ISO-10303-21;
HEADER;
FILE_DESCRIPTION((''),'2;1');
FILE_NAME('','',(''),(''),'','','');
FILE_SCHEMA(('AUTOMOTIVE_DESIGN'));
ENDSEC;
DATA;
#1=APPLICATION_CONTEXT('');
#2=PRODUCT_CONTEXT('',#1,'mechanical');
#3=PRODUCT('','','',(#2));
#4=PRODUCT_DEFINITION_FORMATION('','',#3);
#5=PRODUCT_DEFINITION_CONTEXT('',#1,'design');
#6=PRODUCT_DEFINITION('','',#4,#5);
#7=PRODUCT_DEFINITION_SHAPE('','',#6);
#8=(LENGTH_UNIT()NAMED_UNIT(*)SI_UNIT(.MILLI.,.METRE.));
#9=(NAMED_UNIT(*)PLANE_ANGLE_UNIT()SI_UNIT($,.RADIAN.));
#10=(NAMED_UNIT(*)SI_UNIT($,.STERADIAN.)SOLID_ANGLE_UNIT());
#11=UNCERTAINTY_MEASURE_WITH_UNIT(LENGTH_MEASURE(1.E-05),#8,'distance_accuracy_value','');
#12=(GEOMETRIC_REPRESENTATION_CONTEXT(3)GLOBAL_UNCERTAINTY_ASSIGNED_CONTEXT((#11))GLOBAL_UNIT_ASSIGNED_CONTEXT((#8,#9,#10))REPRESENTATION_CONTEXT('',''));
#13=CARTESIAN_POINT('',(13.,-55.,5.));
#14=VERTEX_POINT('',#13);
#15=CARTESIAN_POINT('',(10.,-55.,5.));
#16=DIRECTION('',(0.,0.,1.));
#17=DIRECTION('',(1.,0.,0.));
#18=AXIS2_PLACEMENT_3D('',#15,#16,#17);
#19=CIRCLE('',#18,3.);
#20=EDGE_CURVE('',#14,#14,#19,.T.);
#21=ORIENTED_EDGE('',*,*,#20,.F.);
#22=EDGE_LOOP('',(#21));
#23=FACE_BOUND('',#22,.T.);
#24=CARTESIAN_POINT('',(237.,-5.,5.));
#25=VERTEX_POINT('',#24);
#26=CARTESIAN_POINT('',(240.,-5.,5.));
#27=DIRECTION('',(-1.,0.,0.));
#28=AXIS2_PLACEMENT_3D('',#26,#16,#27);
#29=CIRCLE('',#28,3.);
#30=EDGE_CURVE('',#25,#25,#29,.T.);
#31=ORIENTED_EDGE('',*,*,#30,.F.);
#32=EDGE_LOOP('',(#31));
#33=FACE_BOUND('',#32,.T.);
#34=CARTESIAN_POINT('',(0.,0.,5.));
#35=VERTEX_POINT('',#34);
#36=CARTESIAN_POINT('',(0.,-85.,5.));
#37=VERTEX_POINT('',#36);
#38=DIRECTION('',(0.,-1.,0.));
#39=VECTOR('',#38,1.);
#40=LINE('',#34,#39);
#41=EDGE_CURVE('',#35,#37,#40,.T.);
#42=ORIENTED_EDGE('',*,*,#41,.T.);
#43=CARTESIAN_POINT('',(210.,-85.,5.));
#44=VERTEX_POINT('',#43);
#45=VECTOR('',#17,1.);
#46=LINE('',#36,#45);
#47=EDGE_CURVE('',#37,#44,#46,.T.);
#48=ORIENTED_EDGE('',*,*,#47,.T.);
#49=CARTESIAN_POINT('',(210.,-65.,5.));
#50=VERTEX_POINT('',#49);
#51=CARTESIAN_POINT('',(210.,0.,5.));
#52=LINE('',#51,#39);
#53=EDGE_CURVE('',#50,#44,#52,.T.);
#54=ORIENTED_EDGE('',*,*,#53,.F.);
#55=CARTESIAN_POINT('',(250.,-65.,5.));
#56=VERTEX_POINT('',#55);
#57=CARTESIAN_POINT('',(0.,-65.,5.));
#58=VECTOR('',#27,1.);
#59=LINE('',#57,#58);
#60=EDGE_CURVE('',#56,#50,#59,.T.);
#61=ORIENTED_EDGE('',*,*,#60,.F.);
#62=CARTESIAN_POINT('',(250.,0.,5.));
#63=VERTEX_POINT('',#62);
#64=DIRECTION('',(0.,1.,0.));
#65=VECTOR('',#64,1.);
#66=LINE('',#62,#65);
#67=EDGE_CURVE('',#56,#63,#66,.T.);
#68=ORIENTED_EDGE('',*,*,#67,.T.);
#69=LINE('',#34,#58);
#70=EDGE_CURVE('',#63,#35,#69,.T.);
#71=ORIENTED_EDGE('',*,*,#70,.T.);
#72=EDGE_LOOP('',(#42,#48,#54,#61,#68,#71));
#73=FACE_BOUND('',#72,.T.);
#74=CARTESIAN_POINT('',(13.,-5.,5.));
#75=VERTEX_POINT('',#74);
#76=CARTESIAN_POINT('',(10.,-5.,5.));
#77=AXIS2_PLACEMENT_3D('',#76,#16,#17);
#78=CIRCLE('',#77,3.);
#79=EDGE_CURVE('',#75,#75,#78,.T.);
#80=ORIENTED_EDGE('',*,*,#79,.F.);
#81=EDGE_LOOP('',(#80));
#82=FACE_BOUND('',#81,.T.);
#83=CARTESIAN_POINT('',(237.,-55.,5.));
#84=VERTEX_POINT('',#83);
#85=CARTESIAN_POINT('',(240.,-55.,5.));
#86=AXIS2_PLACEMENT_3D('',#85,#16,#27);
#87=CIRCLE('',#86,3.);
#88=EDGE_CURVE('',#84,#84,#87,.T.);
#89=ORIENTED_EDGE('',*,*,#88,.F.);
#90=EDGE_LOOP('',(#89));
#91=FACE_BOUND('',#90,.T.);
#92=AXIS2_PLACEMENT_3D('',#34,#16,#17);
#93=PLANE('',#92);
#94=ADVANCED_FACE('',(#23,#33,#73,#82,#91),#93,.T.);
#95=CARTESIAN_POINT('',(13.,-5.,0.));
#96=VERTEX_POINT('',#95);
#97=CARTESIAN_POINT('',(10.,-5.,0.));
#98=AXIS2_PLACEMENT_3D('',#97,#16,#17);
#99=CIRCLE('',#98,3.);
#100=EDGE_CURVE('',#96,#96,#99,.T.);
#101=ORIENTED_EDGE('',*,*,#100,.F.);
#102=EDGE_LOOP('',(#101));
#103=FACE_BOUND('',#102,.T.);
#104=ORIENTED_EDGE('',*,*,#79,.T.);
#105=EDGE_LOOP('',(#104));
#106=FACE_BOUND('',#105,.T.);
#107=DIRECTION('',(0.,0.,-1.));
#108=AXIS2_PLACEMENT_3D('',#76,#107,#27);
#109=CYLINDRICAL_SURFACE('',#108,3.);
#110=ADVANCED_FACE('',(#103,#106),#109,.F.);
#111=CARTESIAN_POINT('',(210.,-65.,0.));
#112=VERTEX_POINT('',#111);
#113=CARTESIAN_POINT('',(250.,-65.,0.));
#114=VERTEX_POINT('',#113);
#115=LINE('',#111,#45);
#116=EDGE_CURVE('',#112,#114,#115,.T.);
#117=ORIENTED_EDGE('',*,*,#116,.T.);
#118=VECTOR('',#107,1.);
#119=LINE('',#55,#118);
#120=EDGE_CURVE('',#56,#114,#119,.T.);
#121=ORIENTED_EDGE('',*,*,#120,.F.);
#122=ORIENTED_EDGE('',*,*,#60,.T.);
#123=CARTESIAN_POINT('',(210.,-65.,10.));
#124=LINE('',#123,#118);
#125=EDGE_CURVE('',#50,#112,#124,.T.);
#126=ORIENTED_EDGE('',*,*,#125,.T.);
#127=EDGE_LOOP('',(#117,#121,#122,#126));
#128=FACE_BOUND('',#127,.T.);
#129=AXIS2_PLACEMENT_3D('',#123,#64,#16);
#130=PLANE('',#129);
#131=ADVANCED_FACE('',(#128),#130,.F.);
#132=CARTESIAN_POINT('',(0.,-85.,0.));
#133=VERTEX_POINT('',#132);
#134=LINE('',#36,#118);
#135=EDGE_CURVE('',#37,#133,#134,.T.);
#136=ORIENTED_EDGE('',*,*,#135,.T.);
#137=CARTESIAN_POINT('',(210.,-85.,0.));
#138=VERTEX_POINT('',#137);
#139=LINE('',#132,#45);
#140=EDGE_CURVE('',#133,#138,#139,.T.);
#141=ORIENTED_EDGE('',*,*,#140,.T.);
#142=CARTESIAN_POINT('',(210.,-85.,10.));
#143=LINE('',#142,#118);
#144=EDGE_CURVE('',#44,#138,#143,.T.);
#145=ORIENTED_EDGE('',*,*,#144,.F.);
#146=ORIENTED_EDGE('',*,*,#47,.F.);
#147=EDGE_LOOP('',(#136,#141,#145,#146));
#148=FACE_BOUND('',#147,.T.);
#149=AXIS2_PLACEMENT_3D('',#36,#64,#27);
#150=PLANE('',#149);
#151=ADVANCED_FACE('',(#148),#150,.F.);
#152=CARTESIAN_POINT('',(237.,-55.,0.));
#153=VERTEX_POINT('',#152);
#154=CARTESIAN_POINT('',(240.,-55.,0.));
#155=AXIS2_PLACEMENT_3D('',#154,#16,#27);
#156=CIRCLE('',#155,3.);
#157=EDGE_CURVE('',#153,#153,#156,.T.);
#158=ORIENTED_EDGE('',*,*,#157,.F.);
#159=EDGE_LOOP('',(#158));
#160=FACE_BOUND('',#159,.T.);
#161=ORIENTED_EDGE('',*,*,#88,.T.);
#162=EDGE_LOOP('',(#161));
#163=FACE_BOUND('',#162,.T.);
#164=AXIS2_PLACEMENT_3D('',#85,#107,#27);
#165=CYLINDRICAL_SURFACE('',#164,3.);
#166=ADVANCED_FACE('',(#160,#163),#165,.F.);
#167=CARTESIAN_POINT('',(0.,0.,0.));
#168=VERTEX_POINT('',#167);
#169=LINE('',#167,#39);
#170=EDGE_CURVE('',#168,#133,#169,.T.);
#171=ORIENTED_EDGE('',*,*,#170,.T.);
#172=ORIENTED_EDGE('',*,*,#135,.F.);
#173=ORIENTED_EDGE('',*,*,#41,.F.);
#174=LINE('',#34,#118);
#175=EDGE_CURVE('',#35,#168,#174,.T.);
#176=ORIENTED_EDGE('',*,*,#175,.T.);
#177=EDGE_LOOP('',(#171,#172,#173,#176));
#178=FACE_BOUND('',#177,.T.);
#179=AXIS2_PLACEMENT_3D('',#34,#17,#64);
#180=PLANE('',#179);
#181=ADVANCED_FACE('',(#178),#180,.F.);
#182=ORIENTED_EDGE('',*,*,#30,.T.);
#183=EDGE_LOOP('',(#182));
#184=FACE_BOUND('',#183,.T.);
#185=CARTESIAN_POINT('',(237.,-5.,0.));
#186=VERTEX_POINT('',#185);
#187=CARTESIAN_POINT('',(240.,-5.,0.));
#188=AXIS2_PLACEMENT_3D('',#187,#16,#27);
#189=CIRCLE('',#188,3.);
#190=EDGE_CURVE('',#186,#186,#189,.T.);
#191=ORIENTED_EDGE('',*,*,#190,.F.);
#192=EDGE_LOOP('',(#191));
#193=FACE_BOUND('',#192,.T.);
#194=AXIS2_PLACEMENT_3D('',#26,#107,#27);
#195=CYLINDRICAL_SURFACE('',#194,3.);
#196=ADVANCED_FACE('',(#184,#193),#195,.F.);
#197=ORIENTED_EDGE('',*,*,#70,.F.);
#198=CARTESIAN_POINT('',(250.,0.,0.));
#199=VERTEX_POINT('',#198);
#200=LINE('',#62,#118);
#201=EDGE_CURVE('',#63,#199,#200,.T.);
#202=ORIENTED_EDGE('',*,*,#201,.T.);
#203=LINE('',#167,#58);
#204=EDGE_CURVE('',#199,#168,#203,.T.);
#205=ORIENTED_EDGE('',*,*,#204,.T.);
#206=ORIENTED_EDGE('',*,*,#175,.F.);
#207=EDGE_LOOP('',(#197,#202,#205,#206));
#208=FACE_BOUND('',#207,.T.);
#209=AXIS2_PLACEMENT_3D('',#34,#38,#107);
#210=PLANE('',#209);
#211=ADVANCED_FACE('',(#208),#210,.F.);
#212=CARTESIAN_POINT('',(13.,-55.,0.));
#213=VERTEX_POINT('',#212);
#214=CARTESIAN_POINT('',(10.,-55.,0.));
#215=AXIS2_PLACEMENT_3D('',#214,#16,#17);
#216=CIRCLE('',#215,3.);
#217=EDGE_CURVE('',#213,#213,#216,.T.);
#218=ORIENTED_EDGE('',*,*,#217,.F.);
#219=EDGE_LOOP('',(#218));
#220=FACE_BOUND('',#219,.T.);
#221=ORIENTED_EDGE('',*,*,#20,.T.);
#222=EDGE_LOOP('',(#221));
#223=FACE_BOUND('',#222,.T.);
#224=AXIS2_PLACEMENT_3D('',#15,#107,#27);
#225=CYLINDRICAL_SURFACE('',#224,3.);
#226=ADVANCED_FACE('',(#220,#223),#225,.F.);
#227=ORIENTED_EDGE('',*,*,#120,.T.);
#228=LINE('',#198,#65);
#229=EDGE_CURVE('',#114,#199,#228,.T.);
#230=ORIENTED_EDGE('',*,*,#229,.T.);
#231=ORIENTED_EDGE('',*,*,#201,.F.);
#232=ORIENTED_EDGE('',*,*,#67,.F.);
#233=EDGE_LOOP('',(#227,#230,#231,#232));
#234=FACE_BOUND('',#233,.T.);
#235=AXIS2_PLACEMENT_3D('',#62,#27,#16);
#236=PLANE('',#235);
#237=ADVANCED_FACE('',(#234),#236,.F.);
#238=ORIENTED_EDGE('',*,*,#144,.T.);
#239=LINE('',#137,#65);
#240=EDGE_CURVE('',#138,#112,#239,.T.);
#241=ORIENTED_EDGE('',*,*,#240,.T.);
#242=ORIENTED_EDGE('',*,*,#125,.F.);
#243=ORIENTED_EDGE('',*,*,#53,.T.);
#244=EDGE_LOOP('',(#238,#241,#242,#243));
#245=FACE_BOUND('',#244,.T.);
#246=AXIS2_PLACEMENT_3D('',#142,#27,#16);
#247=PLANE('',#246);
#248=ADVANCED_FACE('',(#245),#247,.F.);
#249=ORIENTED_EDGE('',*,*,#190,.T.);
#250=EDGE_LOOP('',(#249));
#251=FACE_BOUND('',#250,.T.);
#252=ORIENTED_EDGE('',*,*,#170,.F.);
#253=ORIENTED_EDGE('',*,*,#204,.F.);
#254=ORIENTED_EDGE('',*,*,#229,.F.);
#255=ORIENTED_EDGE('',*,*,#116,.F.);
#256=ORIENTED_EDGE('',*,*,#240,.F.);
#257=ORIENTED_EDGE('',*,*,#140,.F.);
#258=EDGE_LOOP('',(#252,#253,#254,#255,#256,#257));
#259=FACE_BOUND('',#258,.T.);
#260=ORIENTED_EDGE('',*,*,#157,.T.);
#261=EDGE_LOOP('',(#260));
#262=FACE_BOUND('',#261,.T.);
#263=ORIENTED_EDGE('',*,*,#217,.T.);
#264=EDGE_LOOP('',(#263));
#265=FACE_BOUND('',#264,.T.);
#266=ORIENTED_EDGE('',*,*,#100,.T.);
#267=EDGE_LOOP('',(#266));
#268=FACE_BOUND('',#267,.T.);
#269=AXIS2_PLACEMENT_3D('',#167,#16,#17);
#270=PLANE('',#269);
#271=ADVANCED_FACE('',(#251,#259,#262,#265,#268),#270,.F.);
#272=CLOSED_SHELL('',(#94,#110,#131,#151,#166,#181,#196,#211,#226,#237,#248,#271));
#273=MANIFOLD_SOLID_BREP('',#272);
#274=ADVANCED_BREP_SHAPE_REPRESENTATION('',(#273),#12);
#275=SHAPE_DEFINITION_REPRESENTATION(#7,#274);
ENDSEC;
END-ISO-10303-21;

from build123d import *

# Parameters (mm, degrees)
ESQUISSE1_W             = 250
ESQUISSE1_H             = 85
ESQUISSE1_R             = 3
BOSS_EXTRU_1_DEPTH      = 5
ESQUISSE2_W             = 40
ESQUISSE2_H             = 20
ENL_V_MAT_EXTRU_1_DEPTH = 10


with BuildPart() as part:
    # Esquisse1 → Boss.-Extru.1 (new body)
    with BuildSketch(Plane.XY):
        with Locations((125, -42.5)):
            Rectangle(ESQUISSE1_W, ESQUISSE1_H)
        with Locations((10, -5)):
            Circle(ESQUISSE1_R, mode=Mode.SUBTRACT)
        with Locations((10, -55)):
            Circle(ESQUISSE1_R, mode=Mode.SUBTRACT)
        with Locations(Location((240, -55, 0), (0, 0, 180))):
            Circle(ESQUISSE1_R, mode=Mode.SUBTRACT)
        with Locations(Location((240, -5, 0), (0, 0, 180))):
            Circle(ESQUISSE1_R, mode=Mode.SUBTRACT)
    extrude(amount=BOSS_EXTRU_1_DEPTH)

    # Esquisse2 → Enlèv. mat.-Extru.1 (cut)
    with BuildSketch(Plane(origin=(0, 0, 0), x_dir=(-1, 0, 0), z_dir=(0, 0, -1))):
        with Locations((-230, -75)):
            Rectangle(ESQUISSE2_W, ESQUISSE2_H)
    extrude(amount=-ENL_V_MAT_EXTRU_1_DEPTH, mode=Mode.SUBTRACT)


solid = part.part
